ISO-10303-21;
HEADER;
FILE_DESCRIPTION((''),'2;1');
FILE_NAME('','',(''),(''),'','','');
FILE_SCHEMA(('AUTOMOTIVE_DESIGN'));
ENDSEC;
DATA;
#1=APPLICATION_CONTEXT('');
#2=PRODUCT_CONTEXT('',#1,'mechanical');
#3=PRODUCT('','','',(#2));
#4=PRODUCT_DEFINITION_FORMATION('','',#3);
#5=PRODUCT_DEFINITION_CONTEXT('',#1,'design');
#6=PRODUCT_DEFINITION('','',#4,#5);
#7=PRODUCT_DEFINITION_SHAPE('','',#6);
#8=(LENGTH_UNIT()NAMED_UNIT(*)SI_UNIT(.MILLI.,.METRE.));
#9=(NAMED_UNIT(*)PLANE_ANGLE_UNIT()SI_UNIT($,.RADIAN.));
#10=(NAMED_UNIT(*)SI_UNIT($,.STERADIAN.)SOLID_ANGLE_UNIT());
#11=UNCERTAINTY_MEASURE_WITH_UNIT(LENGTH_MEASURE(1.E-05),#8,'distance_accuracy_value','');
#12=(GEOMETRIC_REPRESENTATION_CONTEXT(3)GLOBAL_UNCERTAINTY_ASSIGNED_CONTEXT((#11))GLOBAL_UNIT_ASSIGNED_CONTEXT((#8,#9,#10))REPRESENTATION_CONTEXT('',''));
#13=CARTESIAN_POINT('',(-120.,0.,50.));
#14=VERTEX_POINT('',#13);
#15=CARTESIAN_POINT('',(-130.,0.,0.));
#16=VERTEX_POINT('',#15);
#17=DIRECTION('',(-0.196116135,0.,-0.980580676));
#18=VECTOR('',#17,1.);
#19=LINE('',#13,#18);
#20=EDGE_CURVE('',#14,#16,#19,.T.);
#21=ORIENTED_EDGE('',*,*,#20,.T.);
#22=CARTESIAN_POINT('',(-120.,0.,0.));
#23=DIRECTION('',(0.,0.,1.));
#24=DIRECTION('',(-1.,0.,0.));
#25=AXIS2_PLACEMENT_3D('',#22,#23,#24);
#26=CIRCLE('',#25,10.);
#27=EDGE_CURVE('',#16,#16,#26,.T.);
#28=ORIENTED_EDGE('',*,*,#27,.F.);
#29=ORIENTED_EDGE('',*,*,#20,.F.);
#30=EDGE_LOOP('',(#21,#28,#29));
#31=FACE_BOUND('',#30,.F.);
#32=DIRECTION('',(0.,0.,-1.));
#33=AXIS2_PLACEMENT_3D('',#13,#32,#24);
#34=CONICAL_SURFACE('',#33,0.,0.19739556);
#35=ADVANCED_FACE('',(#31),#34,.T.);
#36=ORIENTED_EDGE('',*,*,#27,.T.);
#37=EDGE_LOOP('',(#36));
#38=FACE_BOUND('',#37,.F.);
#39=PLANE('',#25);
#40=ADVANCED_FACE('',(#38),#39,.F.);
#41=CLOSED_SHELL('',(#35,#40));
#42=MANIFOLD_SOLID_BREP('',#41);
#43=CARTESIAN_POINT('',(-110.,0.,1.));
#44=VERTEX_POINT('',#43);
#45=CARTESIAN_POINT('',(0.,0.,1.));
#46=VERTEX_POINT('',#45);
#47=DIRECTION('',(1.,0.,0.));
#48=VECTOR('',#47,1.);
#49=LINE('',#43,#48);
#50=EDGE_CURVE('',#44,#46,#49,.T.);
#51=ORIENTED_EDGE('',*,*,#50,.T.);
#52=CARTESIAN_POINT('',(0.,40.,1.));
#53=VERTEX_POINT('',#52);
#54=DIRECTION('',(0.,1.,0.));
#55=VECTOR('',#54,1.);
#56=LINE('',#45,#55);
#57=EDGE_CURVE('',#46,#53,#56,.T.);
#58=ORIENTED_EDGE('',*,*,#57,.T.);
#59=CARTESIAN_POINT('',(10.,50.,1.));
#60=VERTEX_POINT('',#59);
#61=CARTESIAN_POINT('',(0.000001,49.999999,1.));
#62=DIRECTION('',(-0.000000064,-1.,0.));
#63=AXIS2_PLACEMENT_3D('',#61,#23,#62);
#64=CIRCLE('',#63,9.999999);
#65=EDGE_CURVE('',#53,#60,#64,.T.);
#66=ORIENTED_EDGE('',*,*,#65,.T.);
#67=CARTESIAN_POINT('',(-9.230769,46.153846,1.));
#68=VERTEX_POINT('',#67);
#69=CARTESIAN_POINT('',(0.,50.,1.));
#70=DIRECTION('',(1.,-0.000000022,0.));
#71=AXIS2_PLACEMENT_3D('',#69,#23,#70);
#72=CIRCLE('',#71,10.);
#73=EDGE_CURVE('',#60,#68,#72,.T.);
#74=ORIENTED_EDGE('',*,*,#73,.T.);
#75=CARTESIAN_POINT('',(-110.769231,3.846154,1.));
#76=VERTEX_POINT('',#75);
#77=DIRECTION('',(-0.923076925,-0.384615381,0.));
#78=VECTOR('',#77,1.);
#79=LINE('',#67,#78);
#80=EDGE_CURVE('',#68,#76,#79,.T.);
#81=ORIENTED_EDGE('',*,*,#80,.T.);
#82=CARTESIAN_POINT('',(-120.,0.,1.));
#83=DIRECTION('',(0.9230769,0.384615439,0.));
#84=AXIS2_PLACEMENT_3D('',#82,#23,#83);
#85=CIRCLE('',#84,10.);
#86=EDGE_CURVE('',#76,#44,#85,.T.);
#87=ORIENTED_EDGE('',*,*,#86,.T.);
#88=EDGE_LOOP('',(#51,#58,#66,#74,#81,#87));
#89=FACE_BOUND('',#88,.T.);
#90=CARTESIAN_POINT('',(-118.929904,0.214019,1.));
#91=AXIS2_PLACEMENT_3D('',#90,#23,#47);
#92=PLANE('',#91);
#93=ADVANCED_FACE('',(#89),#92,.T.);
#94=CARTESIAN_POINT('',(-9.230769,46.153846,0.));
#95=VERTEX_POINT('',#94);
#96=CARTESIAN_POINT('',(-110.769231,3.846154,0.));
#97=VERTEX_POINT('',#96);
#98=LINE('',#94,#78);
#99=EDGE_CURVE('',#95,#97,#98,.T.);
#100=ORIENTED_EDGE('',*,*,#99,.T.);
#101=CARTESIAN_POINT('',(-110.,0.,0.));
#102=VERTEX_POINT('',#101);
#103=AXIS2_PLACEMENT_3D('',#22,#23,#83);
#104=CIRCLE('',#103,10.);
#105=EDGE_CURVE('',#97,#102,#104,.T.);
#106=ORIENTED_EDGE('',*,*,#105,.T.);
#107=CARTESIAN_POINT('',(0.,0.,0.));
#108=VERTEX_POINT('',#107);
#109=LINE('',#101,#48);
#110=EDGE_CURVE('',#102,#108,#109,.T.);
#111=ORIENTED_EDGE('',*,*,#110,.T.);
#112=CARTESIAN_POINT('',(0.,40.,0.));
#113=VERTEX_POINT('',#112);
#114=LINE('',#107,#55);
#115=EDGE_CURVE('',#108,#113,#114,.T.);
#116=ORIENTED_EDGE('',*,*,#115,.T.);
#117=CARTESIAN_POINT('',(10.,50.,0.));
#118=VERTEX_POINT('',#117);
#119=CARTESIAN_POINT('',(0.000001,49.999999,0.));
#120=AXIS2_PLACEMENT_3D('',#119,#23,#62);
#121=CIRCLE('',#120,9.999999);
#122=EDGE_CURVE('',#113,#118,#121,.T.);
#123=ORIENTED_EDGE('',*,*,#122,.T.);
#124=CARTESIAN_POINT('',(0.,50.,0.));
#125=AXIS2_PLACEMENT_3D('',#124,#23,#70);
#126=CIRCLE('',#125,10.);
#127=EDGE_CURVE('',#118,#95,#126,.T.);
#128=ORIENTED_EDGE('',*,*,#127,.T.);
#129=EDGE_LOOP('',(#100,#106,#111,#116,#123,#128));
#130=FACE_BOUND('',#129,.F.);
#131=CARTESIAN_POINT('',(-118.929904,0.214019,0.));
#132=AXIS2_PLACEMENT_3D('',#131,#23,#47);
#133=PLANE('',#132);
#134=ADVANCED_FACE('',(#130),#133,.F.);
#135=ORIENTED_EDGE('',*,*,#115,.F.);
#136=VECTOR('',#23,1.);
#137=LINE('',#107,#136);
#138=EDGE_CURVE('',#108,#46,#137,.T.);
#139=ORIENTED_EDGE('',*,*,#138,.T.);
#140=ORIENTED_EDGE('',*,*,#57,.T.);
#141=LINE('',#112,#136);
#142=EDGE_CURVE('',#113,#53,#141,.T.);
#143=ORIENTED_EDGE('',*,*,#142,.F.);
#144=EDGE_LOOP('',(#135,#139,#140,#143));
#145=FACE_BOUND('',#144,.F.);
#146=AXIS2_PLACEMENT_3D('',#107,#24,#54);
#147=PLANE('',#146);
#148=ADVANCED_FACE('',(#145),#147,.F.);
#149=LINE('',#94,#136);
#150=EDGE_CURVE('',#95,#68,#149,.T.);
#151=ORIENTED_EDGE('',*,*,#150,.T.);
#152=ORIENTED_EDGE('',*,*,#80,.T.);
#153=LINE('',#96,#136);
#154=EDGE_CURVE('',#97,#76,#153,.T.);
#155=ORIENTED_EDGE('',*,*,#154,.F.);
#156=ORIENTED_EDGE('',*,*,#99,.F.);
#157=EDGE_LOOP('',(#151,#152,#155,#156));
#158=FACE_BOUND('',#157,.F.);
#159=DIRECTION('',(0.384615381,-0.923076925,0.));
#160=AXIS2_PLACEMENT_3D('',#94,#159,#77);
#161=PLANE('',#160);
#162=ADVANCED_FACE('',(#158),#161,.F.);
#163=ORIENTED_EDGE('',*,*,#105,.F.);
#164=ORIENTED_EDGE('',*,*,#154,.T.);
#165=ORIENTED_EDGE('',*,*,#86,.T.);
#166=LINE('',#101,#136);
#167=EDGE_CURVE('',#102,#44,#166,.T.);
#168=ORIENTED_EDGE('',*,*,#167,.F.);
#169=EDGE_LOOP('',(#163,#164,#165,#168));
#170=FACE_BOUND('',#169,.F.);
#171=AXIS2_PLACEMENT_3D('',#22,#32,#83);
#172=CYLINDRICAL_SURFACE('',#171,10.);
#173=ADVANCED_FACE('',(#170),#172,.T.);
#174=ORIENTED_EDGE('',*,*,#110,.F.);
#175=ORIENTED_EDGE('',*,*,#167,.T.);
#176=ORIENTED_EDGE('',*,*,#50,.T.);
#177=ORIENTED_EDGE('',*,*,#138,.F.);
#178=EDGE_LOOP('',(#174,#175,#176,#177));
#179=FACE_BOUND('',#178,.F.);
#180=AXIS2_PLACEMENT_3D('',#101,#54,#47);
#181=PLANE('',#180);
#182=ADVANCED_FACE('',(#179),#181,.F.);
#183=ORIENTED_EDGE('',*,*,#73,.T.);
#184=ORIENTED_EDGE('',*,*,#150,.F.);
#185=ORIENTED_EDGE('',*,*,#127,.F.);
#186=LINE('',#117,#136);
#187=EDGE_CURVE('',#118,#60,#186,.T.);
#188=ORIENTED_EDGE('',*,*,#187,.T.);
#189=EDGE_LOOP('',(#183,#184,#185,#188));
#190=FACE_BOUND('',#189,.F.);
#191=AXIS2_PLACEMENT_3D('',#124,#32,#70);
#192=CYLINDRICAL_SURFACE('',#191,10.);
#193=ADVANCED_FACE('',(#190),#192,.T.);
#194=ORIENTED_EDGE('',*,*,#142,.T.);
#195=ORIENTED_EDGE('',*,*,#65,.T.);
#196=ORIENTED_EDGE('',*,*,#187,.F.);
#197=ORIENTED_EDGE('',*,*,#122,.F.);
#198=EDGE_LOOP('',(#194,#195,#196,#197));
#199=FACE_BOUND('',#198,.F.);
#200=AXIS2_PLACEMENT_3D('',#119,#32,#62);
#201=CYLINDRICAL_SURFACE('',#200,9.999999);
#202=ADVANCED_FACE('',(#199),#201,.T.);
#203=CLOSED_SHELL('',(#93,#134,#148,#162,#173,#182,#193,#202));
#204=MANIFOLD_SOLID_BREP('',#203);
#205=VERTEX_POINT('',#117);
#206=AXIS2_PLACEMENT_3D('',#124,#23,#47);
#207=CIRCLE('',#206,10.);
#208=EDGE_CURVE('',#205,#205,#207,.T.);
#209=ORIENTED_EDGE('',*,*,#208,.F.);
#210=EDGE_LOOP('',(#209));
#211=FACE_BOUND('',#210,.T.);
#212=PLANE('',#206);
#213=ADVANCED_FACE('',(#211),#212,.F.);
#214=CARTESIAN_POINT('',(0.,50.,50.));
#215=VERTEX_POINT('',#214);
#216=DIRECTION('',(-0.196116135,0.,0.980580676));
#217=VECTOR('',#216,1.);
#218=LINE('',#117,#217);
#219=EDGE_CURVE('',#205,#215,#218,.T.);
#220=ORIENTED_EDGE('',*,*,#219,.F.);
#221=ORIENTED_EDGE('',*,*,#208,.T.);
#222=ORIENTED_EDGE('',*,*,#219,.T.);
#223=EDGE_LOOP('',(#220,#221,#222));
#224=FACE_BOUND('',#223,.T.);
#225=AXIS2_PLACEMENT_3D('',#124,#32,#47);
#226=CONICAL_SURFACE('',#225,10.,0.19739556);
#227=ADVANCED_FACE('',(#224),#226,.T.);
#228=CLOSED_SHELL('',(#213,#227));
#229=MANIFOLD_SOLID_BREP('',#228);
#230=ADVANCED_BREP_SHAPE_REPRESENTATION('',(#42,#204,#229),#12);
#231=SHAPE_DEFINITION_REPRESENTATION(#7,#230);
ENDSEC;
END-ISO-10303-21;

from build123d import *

# Parameters (mm, degrees)
F6_DEPTH = 1


with BuildPart() as f2:
    # F1 (on Front) → F2 (revolve)
    with BuildSketch(Plane.XZ):
        Polygon((-130, 0), (-120, 0), (-120, 50), align=None)
    revolve(axis=Axis((-120, 0, 25), (0, 0, 1)))


with BuildPart() as f5:
    # F4 (on offset) → F5 (revolve)
    with BuildSketch(Plane.XZ.offset(-50)):
        Polygon((0, 50), (0, 0), (10, 0), align=None)
    revolve(axis=Axis((0, 50, 25), (0, 0, 1)))


with BuildPart() as f6:
    # F0 (on Top) → F6 (new body)
    with BuildSketch(Plane.XY):
        with BuildLine():
            ThreePointArc((-110.769231, 3.846154), (-129.805807, -1.961161), (-110, 0))
            Line((-110, 0), (-120, 0))
            Line((-120, 0), (-110.769231, 3.846154))
        make_face()
        with BuildLine():
            Line((-110, 0), (0, 0))
            Line((0, 0), (0, 40))
            ThreePointArc((0, 40), (-5.547002, 41.679497), (-9.230769, 46.153846))
            Line((-9.230769, 46.153846), (-110.769231, 3.846154))
            ThreePointArc((-110.769231, 3.846154), (-110.194193, 1.961161), (-110, 0))
        make_face()
        with BuildLine():
            Line((0, 50), (0, 40))
            ThreePointArc((0, 40), (7.071068, 42.928932), (10, 50))
            ThreePointArc((10, 50), (-1.961161, 59.805807), (-9.230769, 46.153846))
            Line((-9.230769, 46.153846), (0, 50))
        make_face()
        with BuildLine():
            Line((-120, 0), (-110, 0))
            ThreePointArc((-110, 0), (-110.194193, 1.961161), (-110.769231, 3.846154))
            Line((-110.769231, 3.846154), (-120, 0))
        make_face()
        with BuildLine():
            ThreePointArc((-9.230769, 46.153846), (-5.547002, 41.679497), (0, 40))
            Line((0, 40), (0, 50))
            Line((0, 50), (-9.230769, 46.153846))
        make_face()
    extrude(amount=F6_DEPTH)


solid = Compound([f2.part, f5.part, f6.part])
